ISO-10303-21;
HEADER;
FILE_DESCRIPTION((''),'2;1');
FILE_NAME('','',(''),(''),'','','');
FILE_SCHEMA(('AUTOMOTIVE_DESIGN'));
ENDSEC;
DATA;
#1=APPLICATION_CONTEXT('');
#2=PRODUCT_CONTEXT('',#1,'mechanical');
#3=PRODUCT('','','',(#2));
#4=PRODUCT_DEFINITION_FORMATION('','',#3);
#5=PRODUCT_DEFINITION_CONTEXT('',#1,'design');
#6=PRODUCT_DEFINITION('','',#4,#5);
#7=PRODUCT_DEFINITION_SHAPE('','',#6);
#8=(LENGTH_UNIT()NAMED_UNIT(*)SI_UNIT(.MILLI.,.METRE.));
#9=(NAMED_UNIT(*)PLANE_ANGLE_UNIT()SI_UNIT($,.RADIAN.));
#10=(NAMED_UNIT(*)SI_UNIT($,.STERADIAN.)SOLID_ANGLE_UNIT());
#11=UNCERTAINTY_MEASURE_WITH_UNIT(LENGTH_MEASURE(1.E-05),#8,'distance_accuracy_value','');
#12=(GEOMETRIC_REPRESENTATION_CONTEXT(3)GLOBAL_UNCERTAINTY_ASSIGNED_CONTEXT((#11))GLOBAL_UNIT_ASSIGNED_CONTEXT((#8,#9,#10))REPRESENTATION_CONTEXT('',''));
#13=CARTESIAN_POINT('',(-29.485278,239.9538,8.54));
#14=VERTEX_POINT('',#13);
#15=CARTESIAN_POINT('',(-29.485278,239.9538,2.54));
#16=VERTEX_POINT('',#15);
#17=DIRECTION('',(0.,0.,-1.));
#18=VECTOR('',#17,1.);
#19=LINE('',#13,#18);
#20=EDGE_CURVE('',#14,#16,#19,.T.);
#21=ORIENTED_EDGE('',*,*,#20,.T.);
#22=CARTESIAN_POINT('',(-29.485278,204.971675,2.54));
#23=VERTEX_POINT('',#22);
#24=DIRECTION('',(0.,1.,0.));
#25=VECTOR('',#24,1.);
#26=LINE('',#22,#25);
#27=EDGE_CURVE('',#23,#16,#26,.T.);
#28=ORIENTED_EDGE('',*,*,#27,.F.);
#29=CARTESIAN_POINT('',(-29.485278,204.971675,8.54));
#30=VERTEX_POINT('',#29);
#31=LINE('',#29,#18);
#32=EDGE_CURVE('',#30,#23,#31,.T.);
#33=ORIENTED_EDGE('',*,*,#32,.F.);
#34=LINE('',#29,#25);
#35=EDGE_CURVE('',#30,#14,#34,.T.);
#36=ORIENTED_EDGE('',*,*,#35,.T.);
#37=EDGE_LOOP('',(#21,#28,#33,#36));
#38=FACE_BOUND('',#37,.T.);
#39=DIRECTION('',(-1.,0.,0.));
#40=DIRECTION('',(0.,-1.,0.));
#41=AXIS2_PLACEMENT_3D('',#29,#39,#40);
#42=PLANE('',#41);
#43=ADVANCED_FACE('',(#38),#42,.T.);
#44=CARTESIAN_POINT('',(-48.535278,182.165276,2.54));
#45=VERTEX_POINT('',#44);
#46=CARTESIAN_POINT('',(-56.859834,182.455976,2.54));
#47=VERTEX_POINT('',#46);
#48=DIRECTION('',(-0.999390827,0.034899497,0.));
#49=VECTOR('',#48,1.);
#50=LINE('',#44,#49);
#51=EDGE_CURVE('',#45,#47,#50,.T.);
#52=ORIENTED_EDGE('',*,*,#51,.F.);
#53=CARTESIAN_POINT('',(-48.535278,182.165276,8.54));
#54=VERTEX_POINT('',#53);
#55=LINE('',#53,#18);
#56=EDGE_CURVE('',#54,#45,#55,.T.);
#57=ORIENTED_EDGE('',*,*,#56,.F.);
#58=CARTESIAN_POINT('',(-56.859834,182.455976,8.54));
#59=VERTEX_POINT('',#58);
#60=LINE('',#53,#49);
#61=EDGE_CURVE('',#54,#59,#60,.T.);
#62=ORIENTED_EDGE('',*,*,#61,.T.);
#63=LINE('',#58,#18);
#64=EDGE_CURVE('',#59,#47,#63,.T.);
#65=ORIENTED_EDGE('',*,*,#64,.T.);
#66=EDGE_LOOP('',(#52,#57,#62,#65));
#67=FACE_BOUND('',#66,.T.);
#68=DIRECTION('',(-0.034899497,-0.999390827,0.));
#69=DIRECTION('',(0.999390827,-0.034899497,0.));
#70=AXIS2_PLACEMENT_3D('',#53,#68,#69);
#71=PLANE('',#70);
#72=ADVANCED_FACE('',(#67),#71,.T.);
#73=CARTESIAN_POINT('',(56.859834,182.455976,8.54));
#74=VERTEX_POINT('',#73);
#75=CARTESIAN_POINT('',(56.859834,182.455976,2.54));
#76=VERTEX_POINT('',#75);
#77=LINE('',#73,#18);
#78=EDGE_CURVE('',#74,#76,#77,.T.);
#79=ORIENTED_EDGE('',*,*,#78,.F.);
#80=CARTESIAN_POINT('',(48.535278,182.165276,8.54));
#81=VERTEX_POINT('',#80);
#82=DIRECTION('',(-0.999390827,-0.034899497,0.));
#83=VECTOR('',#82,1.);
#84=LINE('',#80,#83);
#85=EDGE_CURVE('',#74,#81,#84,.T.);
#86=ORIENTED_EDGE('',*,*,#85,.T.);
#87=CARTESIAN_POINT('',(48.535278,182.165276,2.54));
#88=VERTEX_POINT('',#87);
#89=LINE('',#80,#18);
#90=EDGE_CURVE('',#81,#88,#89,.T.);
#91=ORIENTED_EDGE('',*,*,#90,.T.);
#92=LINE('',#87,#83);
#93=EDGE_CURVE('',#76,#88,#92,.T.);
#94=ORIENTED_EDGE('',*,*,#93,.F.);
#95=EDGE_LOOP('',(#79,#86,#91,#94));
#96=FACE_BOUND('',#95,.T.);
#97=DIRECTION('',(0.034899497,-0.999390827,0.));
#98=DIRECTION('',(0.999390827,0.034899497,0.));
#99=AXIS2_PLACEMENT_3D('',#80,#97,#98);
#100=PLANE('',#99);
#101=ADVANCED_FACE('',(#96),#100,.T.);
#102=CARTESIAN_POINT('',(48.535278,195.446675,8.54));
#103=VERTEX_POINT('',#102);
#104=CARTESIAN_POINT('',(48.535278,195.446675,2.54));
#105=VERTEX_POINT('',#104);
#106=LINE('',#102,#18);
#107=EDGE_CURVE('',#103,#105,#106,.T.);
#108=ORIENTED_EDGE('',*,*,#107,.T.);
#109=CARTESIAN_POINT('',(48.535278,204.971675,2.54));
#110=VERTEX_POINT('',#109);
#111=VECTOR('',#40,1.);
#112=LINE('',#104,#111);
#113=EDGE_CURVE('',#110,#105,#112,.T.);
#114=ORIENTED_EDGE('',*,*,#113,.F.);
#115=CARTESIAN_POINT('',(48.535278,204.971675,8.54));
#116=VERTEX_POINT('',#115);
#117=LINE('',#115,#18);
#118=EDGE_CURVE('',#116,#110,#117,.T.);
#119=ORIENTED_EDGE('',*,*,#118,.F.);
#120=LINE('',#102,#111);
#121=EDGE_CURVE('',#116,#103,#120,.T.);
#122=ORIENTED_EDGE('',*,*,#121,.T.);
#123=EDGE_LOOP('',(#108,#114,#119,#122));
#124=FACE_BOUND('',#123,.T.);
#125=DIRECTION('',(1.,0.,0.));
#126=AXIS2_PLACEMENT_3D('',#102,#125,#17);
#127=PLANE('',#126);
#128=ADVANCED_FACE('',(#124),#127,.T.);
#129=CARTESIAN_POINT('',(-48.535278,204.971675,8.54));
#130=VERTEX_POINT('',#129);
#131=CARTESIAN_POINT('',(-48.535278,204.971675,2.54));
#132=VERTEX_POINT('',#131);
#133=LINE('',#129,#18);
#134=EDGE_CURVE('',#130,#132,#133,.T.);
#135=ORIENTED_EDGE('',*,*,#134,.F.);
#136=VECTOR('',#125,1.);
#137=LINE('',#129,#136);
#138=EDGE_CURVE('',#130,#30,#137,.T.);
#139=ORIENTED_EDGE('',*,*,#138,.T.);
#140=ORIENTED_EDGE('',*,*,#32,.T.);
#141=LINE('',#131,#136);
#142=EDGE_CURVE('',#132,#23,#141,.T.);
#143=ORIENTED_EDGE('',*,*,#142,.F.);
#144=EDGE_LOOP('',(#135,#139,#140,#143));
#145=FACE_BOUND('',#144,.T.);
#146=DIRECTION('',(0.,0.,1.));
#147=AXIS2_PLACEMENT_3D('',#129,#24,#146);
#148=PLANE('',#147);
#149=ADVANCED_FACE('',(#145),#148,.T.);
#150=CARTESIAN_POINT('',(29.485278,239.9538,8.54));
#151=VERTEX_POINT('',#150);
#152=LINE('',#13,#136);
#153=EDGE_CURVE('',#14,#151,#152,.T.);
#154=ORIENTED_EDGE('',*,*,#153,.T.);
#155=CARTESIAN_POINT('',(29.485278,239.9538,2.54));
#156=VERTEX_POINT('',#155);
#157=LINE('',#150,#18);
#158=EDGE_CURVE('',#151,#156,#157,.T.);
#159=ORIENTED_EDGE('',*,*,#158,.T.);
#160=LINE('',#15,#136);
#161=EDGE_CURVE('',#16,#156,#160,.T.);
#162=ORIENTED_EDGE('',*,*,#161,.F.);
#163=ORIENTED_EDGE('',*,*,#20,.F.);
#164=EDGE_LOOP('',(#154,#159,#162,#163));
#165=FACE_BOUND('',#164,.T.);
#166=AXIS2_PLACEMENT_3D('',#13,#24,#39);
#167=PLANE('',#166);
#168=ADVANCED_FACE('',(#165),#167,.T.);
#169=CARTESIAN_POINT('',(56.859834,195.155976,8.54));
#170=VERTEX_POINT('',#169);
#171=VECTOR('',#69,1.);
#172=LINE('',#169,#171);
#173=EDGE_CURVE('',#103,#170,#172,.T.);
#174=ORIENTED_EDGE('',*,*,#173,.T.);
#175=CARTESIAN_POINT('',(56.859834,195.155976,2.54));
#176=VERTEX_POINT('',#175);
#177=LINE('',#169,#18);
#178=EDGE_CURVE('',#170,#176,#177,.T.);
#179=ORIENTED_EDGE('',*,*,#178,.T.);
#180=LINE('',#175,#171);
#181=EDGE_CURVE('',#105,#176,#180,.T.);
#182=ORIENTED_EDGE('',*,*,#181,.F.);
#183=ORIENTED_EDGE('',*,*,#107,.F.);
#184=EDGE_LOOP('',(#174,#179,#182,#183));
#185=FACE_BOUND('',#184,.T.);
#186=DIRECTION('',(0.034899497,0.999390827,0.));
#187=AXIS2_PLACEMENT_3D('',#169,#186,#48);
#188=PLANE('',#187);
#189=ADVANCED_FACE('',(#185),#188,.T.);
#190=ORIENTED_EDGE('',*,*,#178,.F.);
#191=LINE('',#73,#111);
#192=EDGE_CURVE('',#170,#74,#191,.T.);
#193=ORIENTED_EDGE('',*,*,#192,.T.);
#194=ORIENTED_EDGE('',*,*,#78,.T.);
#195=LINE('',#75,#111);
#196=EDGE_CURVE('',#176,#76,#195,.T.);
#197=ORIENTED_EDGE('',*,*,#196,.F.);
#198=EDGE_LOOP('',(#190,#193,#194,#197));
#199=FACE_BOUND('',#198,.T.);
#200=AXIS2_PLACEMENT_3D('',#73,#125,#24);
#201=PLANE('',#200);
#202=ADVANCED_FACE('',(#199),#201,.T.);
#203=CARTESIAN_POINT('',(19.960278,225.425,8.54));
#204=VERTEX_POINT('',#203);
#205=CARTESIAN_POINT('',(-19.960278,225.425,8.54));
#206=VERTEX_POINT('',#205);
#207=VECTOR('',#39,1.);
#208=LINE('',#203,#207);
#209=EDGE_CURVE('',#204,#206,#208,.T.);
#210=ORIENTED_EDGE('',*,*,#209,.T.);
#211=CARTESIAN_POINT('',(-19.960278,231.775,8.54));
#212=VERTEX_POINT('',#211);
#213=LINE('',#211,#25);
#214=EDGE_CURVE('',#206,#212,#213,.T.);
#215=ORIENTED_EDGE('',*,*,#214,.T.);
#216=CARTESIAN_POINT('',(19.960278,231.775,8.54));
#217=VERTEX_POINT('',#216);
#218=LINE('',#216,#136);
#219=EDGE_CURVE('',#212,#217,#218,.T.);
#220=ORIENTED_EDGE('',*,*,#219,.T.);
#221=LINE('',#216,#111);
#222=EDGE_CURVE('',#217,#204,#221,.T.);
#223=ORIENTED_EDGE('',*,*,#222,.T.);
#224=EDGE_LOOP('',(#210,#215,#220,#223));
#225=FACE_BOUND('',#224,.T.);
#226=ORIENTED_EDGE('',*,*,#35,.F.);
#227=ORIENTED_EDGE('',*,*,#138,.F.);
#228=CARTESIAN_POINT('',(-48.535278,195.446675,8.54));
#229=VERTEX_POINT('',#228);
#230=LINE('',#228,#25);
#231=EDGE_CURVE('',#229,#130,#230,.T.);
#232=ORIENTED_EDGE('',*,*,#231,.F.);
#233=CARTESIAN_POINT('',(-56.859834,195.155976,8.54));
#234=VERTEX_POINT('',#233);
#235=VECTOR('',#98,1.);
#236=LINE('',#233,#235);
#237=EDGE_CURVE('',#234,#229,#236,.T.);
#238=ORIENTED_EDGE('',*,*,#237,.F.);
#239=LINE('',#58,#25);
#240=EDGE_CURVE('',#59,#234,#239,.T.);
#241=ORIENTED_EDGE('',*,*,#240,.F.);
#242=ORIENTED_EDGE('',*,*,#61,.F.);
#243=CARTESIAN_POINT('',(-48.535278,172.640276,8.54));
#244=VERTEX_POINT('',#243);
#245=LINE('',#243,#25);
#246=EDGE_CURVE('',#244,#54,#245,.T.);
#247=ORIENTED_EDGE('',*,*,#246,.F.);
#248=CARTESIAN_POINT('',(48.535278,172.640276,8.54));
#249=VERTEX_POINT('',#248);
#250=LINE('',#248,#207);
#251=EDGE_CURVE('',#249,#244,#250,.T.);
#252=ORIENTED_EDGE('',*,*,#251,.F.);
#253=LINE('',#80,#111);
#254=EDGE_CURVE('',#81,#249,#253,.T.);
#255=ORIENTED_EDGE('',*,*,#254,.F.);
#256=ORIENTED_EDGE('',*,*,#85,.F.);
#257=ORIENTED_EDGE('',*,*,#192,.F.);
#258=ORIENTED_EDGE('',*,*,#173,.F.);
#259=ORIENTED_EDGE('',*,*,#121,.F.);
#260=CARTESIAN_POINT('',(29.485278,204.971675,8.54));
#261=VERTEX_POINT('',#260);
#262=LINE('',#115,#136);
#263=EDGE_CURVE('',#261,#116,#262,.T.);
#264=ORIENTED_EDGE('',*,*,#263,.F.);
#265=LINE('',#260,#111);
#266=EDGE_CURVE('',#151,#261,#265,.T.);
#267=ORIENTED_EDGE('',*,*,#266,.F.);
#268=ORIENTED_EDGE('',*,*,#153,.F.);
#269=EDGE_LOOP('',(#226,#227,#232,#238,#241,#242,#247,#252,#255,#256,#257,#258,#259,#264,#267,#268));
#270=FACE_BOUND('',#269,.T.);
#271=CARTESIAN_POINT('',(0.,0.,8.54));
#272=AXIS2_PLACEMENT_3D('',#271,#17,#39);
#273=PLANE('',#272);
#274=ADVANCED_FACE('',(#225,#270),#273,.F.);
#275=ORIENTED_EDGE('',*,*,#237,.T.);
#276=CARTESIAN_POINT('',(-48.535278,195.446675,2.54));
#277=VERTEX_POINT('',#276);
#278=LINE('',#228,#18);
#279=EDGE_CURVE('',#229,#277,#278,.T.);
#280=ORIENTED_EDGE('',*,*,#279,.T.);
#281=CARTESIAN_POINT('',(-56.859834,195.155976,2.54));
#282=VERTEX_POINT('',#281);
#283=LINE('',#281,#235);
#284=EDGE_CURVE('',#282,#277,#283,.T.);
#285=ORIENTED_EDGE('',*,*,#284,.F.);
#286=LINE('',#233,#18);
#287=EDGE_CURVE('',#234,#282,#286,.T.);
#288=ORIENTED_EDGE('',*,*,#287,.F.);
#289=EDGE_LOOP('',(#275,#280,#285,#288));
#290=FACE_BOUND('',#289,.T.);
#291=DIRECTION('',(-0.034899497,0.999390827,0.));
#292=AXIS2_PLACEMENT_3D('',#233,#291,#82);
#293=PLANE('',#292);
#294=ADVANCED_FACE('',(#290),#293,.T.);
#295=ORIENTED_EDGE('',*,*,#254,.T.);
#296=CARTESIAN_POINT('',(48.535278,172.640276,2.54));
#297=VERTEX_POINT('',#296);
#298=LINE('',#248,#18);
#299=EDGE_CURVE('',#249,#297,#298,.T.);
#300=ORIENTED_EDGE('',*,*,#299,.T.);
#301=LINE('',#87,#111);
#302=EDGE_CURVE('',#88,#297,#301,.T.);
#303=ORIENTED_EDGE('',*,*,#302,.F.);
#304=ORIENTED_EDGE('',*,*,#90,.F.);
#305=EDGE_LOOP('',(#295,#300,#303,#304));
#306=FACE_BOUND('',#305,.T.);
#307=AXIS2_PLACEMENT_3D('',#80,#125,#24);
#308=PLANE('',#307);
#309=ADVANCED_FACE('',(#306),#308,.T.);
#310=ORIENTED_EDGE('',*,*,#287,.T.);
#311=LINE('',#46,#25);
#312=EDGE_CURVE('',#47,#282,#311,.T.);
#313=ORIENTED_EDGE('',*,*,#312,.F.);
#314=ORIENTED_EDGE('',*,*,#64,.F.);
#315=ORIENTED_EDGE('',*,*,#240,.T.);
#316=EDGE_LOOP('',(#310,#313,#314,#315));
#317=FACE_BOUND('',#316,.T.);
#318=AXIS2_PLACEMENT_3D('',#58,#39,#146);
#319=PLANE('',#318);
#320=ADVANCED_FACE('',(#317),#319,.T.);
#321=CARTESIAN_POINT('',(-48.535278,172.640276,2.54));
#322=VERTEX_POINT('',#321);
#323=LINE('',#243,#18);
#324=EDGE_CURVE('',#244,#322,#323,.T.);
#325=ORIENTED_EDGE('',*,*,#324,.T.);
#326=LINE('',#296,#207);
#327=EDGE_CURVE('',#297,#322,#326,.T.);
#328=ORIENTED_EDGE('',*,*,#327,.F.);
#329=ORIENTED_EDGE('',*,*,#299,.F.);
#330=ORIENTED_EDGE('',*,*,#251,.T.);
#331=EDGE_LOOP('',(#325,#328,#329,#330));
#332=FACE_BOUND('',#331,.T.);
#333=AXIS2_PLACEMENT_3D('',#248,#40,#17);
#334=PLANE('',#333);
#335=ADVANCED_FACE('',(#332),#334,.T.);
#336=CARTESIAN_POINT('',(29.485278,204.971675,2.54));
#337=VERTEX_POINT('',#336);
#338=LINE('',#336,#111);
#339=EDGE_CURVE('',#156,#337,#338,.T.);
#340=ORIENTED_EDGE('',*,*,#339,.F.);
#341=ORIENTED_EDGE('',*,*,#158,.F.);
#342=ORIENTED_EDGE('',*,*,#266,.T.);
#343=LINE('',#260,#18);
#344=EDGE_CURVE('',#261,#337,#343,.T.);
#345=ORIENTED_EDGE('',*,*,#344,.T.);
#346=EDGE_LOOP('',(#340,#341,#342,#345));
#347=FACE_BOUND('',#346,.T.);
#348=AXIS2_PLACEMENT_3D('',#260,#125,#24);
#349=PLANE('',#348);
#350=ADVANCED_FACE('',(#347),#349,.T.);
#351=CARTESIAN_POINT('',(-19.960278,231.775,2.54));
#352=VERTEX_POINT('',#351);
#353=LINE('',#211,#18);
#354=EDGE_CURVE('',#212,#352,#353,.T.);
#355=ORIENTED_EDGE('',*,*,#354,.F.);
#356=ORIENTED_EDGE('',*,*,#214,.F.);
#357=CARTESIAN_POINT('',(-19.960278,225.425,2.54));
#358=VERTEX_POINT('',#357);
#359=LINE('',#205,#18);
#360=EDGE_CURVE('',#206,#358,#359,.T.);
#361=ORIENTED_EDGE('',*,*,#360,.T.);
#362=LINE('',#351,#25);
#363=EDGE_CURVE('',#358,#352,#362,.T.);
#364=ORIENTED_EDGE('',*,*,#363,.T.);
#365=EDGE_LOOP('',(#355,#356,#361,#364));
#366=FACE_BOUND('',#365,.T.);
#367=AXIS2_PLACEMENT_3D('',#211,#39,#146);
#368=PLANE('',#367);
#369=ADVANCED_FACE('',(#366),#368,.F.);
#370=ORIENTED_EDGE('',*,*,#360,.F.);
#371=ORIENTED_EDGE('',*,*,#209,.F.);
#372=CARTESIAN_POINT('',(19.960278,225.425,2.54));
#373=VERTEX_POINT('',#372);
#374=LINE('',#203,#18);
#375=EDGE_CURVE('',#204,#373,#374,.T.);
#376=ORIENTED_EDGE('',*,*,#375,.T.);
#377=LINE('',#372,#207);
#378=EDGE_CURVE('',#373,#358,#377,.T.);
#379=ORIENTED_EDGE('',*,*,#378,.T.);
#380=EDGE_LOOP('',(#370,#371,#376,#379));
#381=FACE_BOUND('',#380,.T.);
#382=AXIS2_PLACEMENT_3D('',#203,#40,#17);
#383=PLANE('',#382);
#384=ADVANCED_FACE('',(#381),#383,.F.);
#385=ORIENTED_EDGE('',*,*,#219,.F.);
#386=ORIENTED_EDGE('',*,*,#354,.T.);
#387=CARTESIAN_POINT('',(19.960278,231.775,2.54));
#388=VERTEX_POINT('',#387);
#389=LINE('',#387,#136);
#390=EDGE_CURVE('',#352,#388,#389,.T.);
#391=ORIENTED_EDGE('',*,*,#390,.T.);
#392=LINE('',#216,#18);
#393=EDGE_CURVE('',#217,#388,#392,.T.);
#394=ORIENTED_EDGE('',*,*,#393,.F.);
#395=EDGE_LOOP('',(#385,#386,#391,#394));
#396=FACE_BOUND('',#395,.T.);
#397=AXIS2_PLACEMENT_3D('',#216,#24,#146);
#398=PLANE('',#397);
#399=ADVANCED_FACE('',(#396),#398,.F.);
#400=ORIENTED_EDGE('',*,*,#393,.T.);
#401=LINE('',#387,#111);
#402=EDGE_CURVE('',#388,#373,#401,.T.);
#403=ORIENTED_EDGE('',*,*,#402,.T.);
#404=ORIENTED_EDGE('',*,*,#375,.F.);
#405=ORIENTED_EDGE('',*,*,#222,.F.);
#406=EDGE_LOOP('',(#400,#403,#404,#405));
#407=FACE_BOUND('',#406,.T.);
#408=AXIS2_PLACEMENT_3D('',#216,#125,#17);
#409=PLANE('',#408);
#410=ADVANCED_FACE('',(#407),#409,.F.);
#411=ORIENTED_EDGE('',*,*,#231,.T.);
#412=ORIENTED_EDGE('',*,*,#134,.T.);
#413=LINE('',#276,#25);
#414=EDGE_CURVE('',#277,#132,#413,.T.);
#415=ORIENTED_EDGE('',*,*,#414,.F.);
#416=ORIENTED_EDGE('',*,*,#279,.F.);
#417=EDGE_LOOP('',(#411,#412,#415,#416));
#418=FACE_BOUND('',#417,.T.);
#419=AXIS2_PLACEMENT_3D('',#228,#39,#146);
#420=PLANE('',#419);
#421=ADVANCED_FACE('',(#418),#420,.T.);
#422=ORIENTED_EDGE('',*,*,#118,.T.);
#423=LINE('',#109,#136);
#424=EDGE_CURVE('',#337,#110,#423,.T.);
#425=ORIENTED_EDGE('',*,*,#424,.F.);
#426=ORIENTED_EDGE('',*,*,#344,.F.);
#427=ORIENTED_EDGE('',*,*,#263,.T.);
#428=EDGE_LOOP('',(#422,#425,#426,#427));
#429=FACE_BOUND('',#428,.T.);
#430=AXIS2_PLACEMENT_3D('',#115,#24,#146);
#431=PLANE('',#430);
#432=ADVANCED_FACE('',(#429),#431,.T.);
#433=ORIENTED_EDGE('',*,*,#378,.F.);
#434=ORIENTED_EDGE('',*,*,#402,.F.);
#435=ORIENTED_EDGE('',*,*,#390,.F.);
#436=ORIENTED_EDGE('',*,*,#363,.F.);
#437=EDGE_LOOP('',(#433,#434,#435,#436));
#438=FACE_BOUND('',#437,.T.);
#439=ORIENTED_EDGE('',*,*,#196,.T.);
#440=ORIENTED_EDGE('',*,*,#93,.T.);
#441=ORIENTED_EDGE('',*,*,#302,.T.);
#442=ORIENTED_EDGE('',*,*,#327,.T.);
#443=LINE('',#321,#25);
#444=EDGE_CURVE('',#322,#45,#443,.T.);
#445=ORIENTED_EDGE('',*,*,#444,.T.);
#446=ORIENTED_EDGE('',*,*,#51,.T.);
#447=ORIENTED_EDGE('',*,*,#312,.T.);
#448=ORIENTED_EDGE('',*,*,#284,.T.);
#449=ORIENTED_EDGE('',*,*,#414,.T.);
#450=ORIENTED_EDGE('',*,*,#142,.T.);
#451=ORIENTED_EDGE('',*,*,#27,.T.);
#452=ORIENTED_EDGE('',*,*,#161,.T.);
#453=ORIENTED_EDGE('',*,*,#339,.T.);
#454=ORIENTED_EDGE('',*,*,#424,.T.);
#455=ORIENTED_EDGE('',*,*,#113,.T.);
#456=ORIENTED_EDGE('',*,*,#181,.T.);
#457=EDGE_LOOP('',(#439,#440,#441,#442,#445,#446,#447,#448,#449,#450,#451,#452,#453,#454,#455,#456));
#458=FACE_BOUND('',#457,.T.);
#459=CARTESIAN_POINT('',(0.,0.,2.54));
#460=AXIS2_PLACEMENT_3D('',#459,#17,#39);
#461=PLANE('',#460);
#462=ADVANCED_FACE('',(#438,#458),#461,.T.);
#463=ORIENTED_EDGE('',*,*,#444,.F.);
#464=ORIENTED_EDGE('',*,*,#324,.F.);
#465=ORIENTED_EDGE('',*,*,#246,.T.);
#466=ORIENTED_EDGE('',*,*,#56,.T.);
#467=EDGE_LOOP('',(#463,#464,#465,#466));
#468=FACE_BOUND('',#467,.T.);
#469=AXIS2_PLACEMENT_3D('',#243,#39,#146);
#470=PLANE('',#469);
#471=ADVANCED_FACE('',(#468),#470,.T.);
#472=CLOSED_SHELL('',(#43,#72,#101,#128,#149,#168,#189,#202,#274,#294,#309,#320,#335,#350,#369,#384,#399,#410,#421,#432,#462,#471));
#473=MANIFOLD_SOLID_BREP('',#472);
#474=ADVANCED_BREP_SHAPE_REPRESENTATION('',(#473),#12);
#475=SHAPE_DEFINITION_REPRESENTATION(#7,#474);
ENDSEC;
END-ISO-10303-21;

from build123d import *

# Parameters (mm, degrees)
SKETCH1_W           = 39.920556732
SKETCH1_H           = 6.35
BOSS_EXTRUDE1_DEPTH = 6


with BuildPart() as part:
    # Sketch1 → Boss-Extrude1 (new body)
    with BuildSketch(Plane(origin=(0, 0, 2.54), x_dir=(-1, 0, 0), z_dir=(0, 0, -1))):
        Polygon((-48.535278366, 182.16527563), (-56.859833665, 182.455975506), (-56.859833665, 195.155975506), (-48.535278366, 195.446675383), (-48.535278366, 204.971675383), (-29.485278366, 204.971675383), (-29.485278366, 239.9538), (29.485278366, 239.9538), (29.485278366, 204.971675383), (48.535278366, 204.971675383), (48.535278366, 195.446675383), (56.859833665, 195.155975506), (56.859833665, 182.455975506), (48.535278366, 182.16527563), (48.535278366, 172.64027563), (-48.535278366, 172.64027563), align=None)
        with Locations((0, 228.6)):
            Rectangle(SKETCH1_W, SKETCH1_H, mode=Mode.SUBTRACT)
    extrude(amount=-BOSS_EXTRUDE1_DEPTH)


solid = part.part
